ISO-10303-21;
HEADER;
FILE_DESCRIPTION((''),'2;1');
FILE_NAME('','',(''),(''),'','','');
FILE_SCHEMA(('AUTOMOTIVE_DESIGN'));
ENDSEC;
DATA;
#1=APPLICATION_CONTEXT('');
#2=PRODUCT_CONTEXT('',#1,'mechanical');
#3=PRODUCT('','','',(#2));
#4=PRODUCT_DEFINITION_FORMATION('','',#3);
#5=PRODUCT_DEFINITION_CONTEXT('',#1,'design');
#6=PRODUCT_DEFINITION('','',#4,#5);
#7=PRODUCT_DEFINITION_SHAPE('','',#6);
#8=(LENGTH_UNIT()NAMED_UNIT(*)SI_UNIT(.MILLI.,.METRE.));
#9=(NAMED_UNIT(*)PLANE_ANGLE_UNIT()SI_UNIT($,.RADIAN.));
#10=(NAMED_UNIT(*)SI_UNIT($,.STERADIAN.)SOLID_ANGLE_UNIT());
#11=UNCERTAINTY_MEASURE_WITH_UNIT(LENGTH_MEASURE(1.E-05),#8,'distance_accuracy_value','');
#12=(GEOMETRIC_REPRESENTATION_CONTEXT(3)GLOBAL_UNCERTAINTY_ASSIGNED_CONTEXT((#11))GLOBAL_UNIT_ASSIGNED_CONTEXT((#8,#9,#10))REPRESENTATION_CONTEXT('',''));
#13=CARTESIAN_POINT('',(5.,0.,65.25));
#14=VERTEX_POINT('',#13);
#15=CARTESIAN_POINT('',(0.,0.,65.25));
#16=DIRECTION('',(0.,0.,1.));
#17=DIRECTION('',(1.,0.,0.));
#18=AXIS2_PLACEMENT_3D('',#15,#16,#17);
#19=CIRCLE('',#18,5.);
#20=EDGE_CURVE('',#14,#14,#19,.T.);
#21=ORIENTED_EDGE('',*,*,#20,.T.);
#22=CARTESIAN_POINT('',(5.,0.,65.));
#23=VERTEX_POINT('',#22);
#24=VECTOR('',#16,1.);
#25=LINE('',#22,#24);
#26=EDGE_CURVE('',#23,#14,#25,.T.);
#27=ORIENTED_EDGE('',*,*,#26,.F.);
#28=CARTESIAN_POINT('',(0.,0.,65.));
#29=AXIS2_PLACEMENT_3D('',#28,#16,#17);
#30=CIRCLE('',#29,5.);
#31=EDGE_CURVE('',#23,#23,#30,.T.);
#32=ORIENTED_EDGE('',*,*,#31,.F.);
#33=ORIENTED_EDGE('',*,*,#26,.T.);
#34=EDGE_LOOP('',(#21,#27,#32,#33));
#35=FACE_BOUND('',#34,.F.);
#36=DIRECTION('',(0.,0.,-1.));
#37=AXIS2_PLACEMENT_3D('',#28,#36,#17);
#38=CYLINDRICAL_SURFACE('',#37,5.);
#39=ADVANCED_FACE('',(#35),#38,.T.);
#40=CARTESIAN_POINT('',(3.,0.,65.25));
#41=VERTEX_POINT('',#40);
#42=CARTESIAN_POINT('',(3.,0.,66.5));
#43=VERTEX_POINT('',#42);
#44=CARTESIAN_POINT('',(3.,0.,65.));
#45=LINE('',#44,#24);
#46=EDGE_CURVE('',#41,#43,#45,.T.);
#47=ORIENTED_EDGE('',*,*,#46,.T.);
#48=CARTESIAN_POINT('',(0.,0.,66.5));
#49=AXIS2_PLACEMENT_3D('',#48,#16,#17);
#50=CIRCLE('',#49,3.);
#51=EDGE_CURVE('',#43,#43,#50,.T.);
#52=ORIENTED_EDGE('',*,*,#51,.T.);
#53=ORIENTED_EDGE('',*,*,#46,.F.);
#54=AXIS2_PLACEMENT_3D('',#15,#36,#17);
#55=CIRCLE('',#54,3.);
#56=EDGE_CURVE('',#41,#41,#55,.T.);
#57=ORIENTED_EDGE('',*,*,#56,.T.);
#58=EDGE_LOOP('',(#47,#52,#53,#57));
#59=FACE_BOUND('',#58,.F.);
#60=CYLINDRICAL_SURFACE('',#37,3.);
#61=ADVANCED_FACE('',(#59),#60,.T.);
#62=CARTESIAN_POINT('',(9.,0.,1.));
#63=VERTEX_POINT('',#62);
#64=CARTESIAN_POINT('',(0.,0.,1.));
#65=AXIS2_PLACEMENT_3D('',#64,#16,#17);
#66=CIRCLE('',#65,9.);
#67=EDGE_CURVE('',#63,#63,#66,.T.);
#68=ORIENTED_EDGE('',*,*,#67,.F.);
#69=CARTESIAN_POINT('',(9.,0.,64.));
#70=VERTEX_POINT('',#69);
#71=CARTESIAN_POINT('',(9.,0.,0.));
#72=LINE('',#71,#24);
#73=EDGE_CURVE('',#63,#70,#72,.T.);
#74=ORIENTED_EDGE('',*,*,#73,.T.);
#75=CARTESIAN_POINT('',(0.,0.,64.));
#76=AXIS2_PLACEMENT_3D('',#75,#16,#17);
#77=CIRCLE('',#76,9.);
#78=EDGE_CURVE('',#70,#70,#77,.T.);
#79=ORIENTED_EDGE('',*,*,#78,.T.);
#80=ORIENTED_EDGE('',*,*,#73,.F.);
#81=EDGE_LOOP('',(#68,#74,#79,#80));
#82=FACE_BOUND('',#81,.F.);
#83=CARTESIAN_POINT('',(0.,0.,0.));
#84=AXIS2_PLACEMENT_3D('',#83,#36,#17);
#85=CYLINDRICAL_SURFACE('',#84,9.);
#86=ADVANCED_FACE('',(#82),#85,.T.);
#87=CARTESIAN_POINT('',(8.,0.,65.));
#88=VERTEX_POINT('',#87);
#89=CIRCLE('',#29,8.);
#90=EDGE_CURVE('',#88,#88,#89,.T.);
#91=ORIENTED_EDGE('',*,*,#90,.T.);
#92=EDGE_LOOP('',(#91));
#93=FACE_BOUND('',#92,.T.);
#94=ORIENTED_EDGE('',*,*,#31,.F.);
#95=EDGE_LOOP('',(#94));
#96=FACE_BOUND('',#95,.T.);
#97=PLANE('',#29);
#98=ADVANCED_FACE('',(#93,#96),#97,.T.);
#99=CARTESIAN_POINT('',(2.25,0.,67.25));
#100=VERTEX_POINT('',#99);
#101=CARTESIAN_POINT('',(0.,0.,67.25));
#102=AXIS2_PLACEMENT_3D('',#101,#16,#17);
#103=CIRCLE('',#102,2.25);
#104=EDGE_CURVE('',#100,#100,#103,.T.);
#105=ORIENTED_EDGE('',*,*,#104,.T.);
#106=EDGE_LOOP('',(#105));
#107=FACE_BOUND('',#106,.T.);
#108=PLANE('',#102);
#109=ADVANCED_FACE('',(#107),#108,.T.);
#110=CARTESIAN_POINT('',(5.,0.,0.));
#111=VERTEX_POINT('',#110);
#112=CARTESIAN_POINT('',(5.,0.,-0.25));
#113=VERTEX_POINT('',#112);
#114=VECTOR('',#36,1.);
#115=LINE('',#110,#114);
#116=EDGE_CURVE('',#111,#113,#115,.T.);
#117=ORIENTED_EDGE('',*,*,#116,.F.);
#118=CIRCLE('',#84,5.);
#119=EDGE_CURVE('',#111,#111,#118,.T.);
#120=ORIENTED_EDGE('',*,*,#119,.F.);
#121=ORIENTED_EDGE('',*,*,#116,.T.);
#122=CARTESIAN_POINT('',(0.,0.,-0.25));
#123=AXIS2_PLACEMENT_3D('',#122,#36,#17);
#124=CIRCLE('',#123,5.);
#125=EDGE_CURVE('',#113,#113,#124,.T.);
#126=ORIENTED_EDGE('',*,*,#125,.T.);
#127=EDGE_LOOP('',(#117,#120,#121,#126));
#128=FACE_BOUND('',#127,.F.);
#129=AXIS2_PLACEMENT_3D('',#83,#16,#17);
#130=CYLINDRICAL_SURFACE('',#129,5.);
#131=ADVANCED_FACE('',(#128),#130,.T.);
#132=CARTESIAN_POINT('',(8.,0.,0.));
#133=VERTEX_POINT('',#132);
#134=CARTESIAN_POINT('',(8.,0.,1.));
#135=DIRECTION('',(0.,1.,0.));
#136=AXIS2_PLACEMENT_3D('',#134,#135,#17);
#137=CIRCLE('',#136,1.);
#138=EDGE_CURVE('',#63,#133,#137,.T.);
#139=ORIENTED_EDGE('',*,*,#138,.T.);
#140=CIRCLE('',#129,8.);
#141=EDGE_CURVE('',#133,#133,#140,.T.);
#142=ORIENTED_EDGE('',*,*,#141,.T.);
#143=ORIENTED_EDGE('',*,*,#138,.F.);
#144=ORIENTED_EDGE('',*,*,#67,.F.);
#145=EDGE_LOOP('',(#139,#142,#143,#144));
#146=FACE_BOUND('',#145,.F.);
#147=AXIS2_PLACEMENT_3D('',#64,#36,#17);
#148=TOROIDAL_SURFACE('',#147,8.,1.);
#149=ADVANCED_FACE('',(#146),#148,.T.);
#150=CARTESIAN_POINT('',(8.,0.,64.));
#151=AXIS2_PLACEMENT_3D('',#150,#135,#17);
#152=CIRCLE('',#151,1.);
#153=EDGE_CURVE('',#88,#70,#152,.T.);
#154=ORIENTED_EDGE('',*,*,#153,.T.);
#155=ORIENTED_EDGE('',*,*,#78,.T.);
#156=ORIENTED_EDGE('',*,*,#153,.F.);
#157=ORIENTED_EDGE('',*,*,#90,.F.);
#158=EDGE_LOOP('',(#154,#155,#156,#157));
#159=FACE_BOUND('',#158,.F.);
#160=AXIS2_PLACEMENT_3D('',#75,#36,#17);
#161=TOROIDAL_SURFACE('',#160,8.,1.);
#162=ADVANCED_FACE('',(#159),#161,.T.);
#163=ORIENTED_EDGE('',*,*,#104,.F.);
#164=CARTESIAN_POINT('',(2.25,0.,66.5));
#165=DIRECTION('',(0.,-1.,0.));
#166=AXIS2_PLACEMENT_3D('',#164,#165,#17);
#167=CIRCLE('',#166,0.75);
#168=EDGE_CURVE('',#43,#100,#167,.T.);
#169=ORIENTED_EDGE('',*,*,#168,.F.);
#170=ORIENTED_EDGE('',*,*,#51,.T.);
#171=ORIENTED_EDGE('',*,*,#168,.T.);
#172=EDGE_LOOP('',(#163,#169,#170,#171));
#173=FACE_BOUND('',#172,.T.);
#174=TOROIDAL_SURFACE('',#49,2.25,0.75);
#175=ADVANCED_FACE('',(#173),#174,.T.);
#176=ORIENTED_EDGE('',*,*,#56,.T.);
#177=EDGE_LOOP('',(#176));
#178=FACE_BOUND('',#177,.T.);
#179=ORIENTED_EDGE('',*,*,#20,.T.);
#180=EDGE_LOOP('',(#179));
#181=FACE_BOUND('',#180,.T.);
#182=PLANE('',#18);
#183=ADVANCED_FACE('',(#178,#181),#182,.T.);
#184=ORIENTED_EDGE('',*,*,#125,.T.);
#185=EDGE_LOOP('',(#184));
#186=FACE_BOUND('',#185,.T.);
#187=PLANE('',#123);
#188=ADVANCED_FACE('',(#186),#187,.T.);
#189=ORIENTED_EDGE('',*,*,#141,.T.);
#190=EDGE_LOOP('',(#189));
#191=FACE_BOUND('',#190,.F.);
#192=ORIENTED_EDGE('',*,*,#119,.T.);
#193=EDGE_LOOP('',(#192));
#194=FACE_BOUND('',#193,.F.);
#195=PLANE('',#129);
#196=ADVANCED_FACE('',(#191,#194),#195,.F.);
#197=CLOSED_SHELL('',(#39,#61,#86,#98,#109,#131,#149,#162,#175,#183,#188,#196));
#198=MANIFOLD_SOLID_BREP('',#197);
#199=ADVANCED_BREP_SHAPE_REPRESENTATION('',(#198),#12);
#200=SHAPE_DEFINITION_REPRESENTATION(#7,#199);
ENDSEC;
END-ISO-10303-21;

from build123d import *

# Parameters (mm, degrees)
SKETCH_R     = 9
PAD_DEPTH    = 65
SKETCH001_R  = 3
PAD001_DEPTH = 2.25
FILLET_R     = 0.75
FILLET001_R  = 1
SKETCH002_R  = 5
PAD002_DEPTH = 0.25
SKETCH003_R  = 5
PAD003_DEPTH = 0.25


with BuildPart() as part:
    # Sketch → Pad (new body)
    with BuildSketch(Plane.XY):
        Circle(SKETCH_R)
    extrude(amount=PAD_DEPTH)

    # Sketch001 (on Face3 of Pad) → Pad001 (join)
    with BuildSketch(Plane.XY.offset(65)):
        Circle(SKETCH001_R)
    extrude(amount=PAD001_DEPTH)

    # Fillet
    fillet_edges = [part.edges().sort_by_distance(p)[0] for p in [
        (-3, 0, 67.25),
    ]]
    fillet(fillet_edges, radius=FILLET_R)

    # Fillet001
    fillet001_edges = [part.edges().sort_by_distance(p)[0] for p in [
        (-9, 0, 0),
        (-9, 0, 65),
    ]]
    fillet(fillet001_edges, radius=FILLET001_R)

    # Sketch002 (on Face1 of Fillet001) → Pad002 (join)
    with BuildSketch(Plane.XY.offset(65)):
        Circle(SKETCH002_R)
    extrude(amount=PAD002_DEPTH)

    # Sketch003 (on Face8 of Pad002) → Pad003 (join)
    with BuildSketch(Plane(origin=(0, 0, 0), x_dir=(1, 0, 0), z_dir=(0, 0, -1))):
        Circle(SKETCH003_R)
    extrude(amount=PAD003_DEPTH)


solid = part.part
